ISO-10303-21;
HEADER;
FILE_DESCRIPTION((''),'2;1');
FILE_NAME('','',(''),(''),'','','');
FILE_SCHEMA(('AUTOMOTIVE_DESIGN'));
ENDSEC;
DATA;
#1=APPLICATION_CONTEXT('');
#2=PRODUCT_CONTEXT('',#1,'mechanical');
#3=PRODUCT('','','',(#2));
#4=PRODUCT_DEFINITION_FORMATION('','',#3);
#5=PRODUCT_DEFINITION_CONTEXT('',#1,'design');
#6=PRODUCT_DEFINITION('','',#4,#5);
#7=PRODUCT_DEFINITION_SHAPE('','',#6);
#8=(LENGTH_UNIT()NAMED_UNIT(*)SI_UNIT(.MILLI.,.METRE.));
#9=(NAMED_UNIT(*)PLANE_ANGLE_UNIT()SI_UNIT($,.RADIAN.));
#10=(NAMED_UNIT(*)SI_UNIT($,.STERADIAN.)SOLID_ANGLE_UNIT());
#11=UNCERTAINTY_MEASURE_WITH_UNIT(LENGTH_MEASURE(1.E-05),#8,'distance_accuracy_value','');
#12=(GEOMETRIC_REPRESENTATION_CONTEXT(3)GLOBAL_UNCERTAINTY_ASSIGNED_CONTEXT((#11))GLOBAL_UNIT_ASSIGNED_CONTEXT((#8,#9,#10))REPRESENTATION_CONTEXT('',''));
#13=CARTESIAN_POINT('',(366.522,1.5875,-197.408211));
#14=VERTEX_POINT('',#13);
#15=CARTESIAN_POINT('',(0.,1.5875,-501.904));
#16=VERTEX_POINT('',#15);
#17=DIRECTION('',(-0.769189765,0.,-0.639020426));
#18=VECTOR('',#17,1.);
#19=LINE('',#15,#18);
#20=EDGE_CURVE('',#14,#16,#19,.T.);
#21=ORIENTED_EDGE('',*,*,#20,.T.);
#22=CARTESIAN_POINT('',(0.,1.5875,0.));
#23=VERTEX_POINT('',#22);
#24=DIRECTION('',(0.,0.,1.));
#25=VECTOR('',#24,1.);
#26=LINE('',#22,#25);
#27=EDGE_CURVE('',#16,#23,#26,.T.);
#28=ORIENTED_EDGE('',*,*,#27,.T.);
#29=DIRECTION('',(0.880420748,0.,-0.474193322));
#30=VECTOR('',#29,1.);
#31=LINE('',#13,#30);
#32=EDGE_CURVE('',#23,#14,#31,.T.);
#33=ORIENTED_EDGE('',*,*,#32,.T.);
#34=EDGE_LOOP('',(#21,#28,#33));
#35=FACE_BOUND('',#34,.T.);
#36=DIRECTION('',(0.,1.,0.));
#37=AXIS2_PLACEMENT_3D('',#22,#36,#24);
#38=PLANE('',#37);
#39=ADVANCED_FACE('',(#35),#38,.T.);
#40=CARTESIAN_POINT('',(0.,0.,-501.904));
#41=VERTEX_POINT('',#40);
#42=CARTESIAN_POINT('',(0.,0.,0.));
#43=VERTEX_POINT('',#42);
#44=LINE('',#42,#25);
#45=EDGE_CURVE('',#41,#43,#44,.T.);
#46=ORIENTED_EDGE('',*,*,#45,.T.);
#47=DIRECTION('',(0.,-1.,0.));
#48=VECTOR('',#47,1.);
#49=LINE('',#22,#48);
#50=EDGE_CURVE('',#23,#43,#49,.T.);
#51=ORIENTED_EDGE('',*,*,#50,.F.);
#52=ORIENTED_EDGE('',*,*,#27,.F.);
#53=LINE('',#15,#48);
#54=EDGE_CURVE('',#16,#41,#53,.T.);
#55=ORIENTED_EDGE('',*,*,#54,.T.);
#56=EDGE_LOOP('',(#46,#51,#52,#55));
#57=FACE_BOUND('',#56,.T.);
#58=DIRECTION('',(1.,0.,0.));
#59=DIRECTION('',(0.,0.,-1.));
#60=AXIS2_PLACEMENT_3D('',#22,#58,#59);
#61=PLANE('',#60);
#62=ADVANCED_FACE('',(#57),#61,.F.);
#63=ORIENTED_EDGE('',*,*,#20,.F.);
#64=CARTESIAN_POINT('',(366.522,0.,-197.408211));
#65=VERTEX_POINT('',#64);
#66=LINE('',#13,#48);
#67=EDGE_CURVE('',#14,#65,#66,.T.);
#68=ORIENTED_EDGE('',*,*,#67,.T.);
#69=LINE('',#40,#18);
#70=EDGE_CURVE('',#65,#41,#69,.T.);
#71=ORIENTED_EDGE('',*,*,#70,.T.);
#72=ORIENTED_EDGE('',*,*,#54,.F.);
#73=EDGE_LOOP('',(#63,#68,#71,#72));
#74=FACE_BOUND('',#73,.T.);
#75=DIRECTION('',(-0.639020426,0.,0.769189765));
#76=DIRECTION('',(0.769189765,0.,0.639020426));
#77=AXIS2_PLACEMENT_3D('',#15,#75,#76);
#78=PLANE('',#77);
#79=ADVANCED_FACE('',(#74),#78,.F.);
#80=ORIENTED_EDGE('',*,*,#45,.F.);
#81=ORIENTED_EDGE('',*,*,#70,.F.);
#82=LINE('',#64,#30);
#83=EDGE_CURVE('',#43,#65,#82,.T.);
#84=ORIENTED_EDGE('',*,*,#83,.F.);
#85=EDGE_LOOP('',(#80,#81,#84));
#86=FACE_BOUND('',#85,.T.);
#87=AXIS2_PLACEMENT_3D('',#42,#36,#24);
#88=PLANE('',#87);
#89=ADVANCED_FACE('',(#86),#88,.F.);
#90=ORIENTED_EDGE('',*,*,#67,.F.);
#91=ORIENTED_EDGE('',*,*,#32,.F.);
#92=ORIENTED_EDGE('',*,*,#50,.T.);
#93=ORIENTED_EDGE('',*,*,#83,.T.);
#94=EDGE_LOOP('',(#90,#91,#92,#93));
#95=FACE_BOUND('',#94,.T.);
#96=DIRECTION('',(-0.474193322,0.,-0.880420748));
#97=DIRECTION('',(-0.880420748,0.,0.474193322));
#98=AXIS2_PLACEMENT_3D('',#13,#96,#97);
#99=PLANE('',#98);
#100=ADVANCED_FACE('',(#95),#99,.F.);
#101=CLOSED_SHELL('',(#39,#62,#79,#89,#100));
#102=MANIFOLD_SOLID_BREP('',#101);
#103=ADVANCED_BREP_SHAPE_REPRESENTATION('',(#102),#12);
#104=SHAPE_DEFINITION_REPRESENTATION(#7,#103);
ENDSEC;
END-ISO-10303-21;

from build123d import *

# Parameters (mm, degrees)
BOSS_EXTRUDE1_DEPTH = 1.5875


with BuildPart() as part:
    # Sketch1 → Boss-Extrude1 (new body)
    with BuildSketch(Plane(origin=(0, 0, 0), x_dir=(1, 0, 0), z_dir=(0, 1, 0))):
        Polygon((0, 0), (0, 501.904), (366.522, 197.408210978), align=None)
    extrude(amount=BOSS_EXTRUDE1_DEPTH)


solid = part.part
